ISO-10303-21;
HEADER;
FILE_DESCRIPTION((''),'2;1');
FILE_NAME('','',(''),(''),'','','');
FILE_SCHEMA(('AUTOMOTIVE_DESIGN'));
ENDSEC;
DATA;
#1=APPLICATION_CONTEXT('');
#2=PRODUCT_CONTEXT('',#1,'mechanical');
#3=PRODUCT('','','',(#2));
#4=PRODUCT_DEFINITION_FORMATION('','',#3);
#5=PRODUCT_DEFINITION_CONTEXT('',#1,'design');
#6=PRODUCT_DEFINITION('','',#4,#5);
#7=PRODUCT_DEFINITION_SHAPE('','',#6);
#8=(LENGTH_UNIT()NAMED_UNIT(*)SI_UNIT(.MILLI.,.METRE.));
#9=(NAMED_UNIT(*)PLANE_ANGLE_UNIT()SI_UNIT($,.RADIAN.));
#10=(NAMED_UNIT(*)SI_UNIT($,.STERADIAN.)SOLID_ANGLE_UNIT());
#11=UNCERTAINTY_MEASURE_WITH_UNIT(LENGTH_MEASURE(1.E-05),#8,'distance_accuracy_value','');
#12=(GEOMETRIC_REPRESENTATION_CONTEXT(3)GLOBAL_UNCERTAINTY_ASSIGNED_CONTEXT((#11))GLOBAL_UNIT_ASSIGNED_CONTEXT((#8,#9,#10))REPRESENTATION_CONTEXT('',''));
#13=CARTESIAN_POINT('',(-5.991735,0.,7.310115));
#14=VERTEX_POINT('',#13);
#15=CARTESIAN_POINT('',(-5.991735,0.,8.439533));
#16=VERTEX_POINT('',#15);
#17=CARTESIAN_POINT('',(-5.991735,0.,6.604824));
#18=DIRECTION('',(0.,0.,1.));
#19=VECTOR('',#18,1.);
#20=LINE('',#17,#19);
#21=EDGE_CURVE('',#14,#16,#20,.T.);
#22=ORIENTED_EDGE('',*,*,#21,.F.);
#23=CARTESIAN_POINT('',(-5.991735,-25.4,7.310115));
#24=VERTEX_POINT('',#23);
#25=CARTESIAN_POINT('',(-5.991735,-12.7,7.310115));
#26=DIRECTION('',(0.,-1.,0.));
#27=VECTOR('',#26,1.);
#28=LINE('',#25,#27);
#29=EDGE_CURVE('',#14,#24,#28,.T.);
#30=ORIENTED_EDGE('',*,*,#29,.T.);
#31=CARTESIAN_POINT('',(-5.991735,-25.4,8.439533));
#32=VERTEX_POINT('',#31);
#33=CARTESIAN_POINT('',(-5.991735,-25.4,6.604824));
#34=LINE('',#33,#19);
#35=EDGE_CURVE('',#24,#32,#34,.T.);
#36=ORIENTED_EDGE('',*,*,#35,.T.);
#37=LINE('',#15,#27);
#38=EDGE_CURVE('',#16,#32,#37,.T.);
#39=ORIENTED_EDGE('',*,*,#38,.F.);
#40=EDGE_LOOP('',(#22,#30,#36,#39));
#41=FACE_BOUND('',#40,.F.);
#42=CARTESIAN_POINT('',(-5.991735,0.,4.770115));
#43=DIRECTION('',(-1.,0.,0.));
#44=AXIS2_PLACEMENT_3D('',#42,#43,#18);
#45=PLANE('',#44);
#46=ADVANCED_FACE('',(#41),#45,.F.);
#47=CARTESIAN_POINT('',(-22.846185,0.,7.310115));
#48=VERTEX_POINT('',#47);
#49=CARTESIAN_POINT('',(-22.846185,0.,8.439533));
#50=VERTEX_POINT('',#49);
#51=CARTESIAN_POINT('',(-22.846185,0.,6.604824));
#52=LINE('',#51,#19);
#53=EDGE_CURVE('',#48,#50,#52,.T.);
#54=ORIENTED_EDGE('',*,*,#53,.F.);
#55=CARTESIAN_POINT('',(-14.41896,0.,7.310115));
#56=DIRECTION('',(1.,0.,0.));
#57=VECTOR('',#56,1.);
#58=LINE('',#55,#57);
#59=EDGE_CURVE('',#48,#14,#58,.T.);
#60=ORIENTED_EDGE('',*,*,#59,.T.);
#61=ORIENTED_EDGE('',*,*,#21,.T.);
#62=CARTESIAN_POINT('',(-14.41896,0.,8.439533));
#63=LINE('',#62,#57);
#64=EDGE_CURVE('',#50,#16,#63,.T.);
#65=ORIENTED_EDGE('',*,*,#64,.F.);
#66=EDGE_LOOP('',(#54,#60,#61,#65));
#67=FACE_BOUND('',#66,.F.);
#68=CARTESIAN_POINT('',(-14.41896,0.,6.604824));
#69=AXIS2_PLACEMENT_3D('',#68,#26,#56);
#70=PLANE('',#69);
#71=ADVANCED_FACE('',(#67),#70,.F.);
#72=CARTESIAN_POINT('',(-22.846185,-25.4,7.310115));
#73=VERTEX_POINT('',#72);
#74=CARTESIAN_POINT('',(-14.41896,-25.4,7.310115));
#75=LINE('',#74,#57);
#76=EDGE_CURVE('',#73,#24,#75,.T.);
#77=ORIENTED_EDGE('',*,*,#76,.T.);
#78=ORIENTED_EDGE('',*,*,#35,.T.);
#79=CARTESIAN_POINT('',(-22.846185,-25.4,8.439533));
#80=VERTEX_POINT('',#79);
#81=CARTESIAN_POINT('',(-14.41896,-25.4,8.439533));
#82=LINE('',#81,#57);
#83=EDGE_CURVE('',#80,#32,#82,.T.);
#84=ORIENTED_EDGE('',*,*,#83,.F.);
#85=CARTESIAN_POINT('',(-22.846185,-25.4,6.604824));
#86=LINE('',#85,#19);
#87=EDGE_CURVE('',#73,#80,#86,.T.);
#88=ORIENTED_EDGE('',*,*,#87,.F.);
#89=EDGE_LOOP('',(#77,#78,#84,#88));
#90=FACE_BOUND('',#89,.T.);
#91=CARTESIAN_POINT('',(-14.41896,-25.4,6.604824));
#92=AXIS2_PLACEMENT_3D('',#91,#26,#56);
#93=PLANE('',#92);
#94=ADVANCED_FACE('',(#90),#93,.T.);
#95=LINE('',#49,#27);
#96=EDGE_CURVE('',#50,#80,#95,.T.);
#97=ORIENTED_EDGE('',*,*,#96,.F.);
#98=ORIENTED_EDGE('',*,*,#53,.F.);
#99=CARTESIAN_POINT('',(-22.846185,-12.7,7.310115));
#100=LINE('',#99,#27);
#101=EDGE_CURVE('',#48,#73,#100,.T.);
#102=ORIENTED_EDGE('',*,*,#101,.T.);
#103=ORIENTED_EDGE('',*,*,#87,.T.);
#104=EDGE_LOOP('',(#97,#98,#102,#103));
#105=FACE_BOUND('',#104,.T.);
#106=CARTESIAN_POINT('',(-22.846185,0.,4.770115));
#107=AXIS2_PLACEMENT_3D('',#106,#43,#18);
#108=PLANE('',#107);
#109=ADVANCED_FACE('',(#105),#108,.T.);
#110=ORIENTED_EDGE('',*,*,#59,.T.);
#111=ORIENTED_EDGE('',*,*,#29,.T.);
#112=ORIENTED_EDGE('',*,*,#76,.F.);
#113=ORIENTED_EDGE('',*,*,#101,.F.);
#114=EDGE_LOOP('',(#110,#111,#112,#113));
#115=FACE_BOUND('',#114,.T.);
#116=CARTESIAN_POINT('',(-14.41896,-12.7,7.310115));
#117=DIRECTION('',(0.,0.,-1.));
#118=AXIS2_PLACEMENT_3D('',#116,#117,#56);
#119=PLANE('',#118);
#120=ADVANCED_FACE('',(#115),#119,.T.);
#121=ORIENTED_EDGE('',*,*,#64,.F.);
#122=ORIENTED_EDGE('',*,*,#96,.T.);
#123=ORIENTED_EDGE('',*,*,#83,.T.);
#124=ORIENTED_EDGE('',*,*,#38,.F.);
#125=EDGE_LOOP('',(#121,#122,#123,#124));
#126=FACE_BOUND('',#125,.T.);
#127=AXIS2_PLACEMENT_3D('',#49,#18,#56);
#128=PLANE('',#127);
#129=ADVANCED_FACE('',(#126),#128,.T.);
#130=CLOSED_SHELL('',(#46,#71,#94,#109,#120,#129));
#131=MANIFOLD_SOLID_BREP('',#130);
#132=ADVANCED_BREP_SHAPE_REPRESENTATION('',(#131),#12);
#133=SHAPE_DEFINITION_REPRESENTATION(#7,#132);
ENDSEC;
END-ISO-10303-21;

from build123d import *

# Parameters (mm, degrees)
F0_W      = 16.85445
F0_H      = 3.669418
F1_DEPTH  = 25.4
F1_FACE_W = 16.85445
F1_FACE_H = 25.4
F2_DEPTH  = 2.54


with BuildPart() as f1:
    # F0 (on Front) → F1 (new body)
    with BuildSketch(Plane.XZ):
        with Locations((-14.41896, 6.604824)):
            Rectangle(F0_W, F0_H)
    extrude(amount=F1_DEPTH)

    # F1_face (on face) → F2 (cut)
    with BuildSketch(Plane(origin=(-14.41896, -12.7, 4.770115), x_dir=(1, 0, 0), z_dir=(0, 0, -1))):
        Rectangle(F1_FACE_W, F1_FACE_H)
    extrude(amount=-F2_DEPTH, mode=Mode.SUBTRACT)


solid = f1.part
